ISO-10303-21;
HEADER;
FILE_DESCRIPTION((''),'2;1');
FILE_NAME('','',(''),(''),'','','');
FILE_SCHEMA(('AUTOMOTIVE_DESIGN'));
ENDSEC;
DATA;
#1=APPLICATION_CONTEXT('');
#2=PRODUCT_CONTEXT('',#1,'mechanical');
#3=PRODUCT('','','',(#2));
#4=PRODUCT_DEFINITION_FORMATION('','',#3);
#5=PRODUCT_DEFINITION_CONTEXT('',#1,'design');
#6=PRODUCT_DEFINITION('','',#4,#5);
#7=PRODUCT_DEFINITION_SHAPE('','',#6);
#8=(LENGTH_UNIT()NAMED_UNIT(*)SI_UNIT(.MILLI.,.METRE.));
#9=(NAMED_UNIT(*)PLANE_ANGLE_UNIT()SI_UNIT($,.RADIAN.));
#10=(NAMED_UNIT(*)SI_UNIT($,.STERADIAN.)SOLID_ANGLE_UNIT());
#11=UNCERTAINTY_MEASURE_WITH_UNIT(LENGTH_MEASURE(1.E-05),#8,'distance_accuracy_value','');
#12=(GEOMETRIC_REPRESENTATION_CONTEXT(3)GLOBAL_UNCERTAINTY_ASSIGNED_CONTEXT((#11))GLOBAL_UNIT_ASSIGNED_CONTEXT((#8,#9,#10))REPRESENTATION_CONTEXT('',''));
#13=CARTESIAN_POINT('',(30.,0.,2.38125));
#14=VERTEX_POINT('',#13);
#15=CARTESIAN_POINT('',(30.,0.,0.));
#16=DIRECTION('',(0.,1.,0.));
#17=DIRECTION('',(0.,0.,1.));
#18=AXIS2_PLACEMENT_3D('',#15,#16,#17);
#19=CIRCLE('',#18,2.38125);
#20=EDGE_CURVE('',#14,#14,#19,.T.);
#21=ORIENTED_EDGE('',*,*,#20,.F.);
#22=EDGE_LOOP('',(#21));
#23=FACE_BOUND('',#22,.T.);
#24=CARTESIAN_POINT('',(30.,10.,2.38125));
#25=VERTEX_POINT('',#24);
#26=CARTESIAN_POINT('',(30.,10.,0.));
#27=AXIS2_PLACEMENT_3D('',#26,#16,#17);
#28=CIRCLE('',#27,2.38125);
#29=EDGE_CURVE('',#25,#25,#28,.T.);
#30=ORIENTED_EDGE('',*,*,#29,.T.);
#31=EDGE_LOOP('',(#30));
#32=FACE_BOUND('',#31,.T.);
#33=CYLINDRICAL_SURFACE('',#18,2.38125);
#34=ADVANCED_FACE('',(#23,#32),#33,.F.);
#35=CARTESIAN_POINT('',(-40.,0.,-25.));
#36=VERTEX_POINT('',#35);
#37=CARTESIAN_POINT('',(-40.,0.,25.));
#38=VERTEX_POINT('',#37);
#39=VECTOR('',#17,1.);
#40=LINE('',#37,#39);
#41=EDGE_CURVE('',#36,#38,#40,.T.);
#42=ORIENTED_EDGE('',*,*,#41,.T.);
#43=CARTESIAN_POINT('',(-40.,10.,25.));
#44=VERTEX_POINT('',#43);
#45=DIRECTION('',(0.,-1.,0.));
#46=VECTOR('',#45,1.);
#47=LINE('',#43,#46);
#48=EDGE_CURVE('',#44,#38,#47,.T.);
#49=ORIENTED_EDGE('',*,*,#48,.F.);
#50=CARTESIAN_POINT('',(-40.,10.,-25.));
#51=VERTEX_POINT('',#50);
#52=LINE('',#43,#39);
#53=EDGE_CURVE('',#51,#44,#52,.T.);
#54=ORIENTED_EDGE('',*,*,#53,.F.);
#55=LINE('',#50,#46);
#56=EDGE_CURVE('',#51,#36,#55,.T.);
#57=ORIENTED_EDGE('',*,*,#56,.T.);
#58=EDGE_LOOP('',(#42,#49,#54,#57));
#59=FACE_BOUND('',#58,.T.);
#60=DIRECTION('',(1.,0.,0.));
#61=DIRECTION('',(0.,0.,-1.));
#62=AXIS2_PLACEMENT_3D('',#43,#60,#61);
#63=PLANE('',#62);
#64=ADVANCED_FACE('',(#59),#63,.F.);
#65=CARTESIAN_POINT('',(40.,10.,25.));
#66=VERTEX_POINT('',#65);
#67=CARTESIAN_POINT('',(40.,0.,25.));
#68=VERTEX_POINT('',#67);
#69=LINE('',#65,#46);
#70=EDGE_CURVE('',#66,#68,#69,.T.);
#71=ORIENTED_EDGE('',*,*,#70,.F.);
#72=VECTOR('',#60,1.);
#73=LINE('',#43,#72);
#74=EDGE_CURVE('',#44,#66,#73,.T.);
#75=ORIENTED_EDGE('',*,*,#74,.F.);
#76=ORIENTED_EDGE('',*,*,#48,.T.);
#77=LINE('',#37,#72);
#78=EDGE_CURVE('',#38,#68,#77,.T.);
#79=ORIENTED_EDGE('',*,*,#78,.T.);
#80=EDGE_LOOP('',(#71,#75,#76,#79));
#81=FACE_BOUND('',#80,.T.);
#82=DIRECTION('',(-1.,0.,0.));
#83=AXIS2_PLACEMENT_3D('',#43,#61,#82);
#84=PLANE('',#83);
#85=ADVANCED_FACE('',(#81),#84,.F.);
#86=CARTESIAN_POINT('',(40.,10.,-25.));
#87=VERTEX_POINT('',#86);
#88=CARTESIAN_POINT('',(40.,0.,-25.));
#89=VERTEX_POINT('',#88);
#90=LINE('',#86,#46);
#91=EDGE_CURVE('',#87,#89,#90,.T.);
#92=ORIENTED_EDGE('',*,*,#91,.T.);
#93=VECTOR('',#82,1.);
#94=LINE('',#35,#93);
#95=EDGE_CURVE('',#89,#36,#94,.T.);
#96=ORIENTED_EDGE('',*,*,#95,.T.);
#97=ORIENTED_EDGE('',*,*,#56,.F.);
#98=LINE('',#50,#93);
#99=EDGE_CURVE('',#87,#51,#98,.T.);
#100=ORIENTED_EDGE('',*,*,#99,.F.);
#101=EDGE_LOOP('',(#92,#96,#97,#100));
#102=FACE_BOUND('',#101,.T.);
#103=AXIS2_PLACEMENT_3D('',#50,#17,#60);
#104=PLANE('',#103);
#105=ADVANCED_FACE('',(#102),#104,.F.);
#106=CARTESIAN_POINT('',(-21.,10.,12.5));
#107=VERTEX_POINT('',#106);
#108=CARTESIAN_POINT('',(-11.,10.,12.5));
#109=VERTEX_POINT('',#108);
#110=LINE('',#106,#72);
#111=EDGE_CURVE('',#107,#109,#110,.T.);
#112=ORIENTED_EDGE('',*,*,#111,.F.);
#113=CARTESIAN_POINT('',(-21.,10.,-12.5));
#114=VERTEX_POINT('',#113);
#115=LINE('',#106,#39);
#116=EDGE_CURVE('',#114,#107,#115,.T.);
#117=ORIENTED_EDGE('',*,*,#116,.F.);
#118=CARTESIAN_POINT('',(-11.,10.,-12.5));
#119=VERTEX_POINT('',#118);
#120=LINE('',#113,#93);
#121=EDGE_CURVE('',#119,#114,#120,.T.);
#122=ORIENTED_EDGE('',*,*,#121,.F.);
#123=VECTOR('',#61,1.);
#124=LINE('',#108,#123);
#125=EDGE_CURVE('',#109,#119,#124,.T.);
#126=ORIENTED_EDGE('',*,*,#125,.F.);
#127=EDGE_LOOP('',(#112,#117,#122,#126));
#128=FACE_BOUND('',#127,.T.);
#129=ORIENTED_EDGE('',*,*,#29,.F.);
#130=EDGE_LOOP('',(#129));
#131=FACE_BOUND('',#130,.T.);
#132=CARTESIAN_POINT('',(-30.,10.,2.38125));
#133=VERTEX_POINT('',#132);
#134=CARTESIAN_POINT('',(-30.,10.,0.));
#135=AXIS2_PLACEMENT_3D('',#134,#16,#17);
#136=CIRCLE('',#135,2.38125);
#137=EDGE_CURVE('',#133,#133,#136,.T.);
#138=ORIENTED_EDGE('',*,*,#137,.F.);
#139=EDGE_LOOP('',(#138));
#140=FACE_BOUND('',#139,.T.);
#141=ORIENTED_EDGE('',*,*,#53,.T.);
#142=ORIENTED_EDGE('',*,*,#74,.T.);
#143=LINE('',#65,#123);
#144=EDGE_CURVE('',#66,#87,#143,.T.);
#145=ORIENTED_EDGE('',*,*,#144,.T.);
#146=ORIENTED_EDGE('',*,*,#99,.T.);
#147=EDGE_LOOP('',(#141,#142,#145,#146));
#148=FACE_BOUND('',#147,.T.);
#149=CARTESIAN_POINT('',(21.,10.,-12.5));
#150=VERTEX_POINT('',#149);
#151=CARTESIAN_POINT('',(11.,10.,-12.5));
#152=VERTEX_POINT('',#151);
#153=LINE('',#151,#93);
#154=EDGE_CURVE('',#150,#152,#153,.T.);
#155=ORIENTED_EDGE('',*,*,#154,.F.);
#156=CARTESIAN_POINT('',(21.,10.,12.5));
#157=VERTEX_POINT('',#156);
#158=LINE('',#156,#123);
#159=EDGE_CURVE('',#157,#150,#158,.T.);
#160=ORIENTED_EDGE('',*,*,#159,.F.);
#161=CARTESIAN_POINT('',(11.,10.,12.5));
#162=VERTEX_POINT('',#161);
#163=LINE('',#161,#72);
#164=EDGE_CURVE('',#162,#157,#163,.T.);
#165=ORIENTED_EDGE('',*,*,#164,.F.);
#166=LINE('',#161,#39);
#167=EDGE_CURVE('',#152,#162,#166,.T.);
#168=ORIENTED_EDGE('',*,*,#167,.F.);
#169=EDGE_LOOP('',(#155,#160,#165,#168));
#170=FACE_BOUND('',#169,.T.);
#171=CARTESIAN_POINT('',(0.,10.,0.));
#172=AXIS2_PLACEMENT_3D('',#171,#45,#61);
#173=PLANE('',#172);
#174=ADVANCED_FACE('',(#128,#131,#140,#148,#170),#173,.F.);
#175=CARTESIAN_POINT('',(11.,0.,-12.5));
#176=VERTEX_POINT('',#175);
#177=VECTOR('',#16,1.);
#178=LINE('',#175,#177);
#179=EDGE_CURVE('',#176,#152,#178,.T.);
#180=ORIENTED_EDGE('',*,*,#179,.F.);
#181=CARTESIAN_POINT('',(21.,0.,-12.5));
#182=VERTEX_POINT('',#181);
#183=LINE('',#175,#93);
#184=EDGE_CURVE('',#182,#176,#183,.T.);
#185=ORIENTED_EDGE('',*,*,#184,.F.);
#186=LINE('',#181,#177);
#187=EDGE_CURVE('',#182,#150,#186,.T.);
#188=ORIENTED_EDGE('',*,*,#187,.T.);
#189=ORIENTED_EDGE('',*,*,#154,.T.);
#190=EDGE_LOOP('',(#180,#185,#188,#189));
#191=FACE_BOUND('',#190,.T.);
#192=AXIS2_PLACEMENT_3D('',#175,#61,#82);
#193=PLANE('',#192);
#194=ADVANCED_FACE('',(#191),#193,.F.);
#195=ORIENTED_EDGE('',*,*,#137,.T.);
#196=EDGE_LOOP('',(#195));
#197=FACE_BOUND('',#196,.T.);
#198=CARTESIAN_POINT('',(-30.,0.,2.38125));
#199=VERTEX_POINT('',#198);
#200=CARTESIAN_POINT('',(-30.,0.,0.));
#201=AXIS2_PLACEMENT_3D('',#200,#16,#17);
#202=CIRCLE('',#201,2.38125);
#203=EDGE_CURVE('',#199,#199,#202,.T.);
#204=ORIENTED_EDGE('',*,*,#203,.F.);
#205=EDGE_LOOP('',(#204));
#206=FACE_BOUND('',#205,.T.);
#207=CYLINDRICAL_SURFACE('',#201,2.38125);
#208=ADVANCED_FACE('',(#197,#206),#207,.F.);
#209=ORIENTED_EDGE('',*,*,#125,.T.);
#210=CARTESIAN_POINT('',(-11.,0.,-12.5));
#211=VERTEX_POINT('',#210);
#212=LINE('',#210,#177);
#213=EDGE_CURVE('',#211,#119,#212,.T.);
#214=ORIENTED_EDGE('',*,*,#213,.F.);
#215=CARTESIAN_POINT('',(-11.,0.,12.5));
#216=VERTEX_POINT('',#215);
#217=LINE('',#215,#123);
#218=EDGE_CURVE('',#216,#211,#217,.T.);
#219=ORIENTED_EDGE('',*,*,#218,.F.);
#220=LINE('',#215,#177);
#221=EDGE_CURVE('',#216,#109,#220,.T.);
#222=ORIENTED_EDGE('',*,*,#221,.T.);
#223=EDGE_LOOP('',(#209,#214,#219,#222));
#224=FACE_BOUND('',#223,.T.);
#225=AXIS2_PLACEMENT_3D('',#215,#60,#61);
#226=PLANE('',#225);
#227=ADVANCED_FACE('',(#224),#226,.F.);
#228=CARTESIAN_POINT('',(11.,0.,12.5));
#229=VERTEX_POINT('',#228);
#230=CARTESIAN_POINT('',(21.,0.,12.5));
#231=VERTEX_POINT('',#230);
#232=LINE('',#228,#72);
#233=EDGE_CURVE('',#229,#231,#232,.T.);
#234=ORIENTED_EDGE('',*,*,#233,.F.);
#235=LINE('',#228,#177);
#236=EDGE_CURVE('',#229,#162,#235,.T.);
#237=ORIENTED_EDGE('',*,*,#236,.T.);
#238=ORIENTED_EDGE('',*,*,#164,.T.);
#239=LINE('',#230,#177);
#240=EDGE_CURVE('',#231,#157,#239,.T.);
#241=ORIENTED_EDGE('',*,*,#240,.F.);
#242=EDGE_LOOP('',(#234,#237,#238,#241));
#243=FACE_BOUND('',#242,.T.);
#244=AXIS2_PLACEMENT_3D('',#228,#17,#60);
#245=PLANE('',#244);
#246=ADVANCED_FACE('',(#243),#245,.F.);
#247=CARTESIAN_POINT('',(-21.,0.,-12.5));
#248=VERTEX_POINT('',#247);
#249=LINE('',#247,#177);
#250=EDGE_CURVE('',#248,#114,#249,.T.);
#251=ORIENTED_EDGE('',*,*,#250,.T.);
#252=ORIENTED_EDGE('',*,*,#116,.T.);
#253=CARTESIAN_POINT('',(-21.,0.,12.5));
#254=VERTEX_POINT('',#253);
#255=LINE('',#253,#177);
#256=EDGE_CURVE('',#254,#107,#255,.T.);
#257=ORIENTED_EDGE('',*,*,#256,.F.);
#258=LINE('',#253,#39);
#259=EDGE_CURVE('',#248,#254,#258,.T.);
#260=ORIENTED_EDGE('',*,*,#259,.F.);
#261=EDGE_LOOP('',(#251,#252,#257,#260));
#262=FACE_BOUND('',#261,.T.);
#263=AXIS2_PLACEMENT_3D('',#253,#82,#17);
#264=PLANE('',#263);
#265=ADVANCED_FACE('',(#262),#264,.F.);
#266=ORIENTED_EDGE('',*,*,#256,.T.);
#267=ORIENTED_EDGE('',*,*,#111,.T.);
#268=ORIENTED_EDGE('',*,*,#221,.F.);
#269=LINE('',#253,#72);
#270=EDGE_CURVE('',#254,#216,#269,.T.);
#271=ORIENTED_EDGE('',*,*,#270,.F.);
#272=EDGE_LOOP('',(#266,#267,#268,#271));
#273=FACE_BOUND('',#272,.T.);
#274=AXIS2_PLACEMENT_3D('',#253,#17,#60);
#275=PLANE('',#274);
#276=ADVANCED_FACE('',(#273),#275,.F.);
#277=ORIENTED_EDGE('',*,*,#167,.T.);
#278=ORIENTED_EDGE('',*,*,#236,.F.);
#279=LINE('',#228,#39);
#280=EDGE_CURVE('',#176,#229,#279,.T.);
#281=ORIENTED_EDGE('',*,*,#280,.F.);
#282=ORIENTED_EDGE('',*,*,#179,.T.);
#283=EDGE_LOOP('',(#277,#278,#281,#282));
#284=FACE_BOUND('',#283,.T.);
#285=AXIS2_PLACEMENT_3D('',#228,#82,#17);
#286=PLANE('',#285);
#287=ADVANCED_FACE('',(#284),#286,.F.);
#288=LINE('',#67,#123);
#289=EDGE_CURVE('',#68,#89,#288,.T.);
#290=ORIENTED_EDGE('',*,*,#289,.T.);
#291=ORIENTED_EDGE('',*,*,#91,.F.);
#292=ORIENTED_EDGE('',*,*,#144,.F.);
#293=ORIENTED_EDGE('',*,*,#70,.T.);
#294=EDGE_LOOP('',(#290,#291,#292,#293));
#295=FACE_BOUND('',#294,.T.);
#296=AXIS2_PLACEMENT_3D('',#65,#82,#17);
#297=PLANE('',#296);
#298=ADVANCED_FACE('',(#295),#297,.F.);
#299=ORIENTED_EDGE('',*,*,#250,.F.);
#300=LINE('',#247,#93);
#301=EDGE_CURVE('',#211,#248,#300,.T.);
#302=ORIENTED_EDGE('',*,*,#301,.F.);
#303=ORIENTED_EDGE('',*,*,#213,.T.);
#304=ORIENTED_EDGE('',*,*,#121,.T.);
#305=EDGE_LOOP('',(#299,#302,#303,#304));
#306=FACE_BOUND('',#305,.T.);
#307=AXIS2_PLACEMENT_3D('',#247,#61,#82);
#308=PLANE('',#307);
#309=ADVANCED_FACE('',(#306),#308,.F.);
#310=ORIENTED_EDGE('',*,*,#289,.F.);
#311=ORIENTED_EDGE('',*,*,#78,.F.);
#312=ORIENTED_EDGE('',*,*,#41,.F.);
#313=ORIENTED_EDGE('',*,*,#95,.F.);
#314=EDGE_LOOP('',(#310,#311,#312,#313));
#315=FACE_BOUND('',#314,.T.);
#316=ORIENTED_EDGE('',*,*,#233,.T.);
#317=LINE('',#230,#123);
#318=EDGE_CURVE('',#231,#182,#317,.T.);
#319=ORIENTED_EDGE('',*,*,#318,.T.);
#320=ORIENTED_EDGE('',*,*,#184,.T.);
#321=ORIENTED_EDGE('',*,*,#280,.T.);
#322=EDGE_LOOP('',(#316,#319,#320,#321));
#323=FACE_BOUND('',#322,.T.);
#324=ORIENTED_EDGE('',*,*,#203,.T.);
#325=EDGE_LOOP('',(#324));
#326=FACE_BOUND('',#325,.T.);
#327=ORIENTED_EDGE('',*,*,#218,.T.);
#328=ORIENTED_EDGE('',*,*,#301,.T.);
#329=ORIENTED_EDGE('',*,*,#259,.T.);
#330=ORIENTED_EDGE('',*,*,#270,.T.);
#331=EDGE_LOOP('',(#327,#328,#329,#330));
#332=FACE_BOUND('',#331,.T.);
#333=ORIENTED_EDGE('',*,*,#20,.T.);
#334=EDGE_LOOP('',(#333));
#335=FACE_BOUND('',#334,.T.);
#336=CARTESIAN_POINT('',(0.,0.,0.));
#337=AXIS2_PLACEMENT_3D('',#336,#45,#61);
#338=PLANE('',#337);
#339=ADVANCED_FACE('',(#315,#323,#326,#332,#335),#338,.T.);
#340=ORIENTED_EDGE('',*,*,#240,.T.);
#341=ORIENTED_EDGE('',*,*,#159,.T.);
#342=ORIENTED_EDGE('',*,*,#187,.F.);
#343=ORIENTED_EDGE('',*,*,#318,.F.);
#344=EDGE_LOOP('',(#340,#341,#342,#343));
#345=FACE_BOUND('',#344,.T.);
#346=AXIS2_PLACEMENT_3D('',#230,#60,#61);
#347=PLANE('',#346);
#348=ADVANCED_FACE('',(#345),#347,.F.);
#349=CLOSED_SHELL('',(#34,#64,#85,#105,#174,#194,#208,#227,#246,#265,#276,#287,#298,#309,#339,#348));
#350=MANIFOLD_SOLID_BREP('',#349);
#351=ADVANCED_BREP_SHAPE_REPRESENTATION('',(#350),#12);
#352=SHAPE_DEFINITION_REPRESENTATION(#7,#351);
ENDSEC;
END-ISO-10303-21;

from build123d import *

# Parameters (mm, degrees)
SKETCH1_W           = 80
SKETCH1_H           = 50
BOSS_EXTRUDE1_DEPTH = 10
SKETCH2_R           = 2.38125
CUT_EXTRUDE1_DEPTH  = 10
SKETCH3_W           = 10
SKETCH3_H           = 25
CUT_EXTRUDE2_DEPTH  = 10


with BuildPart() as part:
    # Sketch1 → Boss-Extrude1 (new body)
    with BuildSketch(Plane(origin=(0, 0, 0), x_dir=(1, 0, 0), z_dir=(0, 1, 0))):
        Rectangle(SKETCH1_W, SKETCH1_H)
    extrude(amount=BOSS_EXTRUDE1_DEPTH)

    # Sketch2 → Cut-Extrude1 (cut)
    with BuildSketch(Plane(origin=(0, 10, 0), x_dir=(1, 0, 0), z_dir=(0, 1, 0))):
        with Locations((-30, 0)):
            Circle(SKETCH2_R)
        with Locations((30, 0)):
            Circle(SKETCH2_R)
    extrude(amount=-CUT_EXTRUDE1_DEPTH, mode=Mode.SUBTRACT)

    # Sketch3 → Cut-Extrude2 (cut)
    with BuildSketch(Plane(origin=(0, 10, 0), x_dir=(1, 0, 0), z_dir=(0, 1, 0))):
        with Locations((-16, 0)):
            Rectangle(SKETCH3_W, SKETCH3_H)
        with Locations((16, 0)):
            Rectangle(SKETCH3_W, SKETCH3_H)
    extrude(amount=-CUT_EXTRUDE2_DEPTH, mode=Mode.SUBTRACT)


solid = part.part
